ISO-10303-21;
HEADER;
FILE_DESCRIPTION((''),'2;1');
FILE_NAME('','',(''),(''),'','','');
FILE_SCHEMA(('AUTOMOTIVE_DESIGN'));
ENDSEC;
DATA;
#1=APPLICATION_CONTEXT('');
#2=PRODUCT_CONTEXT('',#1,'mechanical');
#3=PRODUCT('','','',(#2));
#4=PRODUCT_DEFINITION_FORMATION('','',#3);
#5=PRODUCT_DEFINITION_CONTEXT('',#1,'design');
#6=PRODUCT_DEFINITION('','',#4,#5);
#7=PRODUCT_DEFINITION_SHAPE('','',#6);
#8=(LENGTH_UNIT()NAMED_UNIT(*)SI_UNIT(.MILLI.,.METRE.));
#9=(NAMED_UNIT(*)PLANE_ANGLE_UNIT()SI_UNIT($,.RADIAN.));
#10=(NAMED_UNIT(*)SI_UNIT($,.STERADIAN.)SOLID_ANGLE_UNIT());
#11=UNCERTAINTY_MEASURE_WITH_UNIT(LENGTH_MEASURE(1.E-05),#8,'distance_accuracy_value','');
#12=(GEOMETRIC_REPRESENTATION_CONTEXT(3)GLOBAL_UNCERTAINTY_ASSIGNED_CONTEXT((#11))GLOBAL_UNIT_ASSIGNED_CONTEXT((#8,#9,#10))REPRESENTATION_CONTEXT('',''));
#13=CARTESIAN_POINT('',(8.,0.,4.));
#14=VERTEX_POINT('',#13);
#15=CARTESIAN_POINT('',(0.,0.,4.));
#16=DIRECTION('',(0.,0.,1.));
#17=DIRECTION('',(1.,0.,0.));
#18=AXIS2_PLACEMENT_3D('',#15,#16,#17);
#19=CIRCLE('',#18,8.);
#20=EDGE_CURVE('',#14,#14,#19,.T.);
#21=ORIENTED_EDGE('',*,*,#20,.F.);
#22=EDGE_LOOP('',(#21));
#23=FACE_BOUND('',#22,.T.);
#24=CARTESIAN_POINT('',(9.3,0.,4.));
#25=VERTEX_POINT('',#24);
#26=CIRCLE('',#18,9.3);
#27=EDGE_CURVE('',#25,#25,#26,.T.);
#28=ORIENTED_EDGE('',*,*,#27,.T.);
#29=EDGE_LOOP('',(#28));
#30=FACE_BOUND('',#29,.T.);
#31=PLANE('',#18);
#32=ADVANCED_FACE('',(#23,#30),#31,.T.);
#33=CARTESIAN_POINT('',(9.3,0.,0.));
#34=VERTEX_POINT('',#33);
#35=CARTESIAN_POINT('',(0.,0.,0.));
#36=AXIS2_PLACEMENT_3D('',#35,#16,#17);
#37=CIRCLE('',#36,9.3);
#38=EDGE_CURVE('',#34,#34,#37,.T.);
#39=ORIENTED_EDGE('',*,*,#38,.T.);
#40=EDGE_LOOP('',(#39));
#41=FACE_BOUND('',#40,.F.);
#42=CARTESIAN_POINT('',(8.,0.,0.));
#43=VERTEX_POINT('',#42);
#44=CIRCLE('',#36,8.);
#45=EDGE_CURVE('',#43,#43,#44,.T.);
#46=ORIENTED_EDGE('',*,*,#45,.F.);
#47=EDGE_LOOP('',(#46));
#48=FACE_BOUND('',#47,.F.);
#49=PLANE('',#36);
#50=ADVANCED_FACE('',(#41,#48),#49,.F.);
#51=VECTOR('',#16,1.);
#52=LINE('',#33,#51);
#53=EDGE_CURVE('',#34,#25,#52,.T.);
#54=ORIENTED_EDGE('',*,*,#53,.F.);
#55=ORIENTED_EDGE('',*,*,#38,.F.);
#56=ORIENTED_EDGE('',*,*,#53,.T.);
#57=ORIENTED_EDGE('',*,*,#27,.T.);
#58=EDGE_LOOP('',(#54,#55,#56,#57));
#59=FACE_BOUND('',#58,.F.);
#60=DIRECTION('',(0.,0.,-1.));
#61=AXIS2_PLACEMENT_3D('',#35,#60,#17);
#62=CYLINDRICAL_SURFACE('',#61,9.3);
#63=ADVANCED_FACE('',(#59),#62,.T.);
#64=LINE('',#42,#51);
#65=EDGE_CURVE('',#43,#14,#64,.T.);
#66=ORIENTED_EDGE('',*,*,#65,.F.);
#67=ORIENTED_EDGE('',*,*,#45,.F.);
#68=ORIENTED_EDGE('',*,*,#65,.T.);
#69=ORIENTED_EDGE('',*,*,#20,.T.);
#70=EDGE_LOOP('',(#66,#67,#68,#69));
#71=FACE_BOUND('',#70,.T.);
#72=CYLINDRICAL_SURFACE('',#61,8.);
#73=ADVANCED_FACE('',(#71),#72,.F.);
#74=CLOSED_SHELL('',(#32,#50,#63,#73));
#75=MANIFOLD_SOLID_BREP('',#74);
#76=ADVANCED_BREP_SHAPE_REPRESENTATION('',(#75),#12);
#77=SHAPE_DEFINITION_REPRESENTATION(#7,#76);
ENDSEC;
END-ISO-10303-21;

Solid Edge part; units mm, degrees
sketch "Sketch1" plane through (0, 0, 0) normal (0, 0, 1) x (1, 0, 0)
  circle A0 centre (0, 0) radius 9.3
  circle A1 centre (0, 0) radius 8
  dimension "D1" = 16
  dimension "D2" = 18.6
extrude "Protrusion1" add sketch "Sketch1" along normal blind 4
